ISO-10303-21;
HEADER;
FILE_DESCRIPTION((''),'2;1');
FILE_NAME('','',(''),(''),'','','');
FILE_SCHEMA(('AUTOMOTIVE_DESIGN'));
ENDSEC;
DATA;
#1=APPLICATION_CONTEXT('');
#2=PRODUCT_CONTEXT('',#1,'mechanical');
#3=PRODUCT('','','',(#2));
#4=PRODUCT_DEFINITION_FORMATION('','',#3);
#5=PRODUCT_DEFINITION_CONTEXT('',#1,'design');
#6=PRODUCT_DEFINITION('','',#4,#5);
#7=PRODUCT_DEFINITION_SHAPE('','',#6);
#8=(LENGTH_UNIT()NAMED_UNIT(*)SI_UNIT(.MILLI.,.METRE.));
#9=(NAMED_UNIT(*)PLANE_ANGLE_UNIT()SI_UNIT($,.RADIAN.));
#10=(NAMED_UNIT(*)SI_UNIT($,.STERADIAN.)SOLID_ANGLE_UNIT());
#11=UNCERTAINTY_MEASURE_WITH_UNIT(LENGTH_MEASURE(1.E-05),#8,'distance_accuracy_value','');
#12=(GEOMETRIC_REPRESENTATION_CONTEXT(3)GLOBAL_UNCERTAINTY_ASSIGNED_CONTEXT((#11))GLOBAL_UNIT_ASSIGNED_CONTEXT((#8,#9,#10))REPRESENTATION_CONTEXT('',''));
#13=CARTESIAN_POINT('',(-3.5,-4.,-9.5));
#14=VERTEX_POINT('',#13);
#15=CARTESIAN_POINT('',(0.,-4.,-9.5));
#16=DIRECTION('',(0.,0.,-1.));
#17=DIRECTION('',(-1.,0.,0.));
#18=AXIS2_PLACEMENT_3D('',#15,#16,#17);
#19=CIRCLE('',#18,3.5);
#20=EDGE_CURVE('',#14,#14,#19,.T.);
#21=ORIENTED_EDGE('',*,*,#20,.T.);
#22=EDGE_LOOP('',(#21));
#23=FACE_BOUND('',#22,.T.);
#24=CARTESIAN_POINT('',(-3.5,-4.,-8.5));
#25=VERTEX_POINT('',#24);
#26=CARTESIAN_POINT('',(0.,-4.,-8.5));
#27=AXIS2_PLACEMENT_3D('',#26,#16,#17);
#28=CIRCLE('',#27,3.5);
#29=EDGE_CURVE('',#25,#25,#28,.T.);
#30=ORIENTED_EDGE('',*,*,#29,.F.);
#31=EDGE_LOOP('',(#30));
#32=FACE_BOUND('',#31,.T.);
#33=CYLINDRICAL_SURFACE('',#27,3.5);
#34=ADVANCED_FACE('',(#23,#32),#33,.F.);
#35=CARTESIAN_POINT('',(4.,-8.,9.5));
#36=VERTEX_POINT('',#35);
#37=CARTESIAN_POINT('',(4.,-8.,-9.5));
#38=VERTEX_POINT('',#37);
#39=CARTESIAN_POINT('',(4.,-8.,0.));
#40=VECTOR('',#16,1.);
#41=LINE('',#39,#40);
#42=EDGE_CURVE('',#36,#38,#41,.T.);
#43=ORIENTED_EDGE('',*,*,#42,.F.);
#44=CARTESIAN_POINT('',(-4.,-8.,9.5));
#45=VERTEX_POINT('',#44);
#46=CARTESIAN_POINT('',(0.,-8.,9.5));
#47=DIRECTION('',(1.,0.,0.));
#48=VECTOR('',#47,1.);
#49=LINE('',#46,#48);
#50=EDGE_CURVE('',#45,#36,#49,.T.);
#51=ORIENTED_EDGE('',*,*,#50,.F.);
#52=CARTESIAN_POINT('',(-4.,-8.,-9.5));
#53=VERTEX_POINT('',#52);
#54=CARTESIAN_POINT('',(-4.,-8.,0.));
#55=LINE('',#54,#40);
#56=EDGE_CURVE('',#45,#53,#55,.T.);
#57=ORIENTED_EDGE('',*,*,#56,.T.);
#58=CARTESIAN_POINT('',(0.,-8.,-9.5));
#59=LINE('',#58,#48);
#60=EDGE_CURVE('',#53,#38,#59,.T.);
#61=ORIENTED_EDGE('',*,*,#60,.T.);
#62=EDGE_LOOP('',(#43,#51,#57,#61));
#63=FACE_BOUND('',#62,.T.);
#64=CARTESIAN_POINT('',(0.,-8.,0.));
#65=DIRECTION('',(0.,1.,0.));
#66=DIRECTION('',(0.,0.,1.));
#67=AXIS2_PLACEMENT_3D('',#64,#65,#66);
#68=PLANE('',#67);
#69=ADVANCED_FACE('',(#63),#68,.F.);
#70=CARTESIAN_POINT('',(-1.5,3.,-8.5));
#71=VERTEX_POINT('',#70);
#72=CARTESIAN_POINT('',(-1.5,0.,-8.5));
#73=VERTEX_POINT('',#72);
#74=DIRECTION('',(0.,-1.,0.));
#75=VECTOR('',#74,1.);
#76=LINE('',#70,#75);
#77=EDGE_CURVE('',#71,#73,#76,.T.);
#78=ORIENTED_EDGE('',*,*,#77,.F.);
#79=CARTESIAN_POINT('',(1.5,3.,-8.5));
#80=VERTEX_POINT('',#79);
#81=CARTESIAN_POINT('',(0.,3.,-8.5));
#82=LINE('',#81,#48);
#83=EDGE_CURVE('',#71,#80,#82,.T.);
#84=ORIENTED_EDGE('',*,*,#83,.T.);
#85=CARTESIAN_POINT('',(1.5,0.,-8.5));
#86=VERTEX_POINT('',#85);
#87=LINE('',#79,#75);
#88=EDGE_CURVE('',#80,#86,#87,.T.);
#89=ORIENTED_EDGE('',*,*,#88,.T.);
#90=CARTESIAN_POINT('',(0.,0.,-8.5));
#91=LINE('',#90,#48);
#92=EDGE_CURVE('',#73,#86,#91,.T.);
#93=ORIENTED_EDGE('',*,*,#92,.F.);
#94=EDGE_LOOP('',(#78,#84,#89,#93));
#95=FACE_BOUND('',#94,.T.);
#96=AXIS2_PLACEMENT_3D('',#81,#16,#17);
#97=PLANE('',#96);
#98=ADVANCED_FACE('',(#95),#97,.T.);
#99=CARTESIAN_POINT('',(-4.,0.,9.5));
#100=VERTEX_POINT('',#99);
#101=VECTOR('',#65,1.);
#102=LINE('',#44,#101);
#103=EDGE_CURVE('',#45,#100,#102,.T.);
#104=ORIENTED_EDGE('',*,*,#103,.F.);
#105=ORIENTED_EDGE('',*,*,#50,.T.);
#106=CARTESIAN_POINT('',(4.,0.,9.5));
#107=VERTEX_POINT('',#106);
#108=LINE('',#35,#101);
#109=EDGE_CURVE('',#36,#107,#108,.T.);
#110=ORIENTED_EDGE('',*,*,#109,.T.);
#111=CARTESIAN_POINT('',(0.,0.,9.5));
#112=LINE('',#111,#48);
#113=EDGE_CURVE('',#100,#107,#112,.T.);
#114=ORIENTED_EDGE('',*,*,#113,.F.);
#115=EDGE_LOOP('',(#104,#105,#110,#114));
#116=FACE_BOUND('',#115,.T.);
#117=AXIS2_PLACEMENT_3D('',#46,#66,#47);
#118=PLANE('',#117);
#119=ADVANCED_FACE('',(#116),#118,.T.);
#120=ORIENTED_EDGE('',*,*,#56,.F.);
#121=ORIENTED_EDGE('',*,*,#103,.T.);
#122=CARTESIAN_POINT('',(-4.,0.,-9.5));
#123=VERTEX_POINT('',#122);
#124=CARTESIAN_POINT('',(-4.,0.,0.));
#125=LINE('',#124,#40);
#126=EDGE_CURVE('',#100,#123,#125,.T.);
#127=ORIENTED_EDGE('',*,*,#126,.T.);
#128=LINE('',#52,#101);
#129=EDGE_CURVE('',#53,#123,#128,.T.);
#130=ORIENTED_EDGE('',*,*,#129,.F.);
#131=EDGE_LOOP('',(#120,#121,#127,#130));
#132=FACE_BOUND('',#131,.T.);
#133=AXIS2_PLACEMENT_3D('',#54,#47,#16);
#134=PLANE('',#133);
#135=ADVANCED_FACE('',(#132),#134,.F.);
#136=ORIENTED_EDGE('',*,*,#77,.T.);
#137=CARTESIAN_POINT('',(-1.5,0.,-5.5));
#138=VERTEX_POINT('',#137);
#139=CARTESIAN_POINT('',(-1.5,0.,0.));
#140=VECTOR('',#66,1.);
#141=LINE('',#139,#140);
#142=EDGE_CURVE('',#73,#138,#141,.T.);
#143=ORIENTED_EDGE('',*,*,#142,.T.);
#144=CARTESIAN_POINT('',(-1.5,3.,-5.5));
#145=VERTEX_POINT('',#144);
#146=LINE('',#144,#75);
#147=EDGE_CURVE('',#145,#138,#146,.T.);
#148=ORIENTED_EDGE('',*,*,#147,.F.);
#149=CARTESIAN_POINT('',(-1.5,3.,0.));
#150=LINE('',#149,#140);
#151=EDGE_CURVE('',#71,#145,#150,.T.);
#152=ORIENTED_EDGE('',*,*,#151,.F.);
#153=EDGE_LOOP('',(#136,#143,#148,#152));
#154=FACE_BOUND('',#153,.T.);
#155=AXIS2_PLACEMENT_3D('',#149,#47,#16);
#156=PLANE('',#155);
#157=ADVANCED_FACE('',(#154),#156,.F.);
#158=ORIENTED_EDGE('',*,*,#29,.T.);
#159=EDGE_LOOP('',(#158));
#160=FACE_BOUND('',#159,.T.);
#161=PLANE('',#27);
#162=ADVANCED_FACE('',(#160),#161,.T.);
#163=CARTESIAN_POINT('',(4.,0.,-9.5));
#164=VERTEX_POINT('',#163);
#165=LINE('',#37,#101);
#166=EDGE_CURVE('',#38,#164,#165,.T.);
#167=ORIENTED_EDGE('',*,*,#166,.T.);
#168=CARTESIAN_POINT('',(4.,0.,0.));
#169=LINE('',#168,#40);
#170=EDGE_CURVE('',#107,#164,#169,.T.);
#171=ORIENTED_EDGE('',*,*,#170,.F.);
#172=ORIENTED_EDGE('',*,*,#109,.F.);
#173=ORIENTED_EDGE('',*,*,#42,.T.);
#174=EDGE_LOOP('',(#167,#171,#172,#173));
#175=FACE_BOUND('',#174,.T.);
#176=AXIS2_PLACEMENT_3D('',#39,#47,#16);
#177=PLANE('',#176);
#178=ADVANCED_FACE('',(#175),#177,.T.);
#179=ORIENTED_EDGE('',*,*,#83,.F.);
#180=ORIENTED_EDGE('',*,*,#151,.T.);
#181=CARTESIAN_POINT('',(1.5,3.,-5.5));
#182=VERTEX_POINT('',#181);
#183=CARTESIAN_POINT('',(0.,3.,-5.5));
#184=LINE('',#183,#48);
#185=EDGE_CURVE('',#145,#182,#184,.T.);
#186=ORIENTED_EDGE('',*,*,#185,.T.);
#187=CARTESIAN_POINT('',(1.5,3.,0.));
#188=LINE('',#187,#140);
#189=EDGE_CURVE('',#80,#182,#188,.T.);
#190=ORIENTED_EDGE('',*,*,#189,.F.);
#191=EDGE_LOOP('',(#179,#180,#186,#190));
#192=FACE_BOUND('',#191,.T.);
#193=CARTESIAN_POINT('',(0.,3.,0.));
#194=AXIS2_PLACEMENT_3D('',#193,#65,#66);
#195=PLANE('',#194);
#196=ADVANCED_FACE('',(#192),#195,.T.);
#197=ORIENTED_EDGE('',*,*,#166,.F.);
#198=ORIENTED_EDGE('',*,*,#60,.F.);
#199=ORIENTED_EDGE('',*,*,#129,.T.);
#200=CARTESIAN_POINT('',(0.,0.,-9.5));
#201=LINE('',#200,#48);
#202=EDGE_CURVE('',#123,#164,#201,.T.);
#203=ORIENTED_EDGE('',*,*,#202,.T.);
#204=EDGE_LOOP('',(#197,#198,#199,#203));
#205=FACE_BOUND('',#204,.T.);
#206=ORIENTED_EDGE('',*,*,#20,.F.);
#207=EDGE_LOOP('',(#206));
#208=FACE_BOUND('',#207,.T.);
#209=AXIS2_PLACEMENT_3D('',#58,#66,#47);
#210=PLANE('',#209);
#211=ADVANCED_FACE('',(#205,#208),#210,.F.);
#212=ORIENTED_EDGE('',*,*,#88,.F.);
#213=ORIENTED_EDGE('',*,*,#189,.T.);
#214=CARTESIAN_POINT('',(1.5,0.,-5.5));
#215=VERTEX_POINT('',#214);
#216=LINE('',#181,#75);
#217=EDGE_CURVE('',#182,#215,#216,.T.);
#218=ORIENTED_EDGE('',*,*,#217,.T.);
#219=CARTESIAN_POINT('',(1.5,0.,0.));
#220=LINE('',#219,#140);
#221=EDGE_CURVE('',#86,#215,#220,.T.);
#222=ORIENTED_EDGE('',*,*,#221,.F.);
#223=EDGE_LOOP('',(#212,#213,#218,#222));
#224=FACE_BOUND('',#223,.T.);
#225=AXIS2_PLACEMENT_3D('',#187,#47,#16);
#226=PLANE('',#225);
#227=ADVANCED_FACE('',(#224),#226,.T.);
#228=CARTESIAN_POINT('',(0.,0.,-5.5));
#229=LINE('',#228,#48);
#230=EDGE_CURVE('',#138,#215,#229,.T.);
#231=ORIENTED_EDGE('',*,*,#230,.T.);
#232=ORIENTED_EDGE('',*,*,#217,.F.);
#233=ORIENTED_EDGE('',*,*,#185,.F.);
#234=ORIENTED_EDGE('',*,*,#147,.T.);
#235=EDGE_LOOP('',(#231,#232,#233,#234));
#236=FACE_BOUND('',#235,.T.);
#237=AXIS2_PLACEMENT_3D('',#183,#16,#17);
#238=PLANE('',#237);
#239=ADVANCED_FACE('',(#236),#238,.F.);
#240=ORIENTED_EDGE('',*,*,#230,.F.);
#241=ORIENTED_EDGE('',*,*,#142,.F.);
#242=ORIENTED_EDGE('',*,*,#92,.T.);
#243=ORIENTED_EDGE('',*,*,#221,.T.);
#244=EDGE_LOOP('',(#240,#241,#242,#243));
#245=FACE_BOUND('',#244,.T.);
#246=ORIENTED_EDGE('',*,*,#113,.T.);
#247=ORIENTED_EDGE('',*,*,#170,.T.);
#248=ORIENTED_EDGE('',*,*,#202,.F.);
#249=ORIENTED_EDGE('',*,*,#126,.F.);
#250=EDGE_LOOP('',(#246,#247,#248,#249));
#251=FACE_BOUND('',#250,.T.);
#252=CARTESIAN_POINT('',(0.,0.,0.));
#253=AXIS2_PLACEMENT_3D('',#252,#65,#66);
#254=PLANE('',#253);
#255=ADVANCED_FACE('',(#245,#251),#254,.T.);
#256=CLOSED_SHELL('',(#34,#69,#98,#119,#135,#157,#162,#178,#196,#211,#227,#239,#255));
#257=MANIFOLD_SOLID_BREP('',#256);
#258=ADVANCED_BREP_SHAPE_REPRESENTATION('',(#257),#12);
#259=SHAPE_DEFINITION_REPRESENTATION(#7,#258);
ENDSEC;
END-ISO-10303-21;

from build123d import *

# Parameters (mm, degrees)
SKETCH2_W           = 8
SKETCH2_H           = 19
BOSS_EXTRUDE1_DEPTH = 8
SKETCH2_3_W         = 3
SKETCH2_3_H         = 3
BOSS_EXTRUDE2_DEPTH = 3
SKETCH3_R           = 3.5
CUT_EXTRUDE1_DEPTH  = 1


with BuildPart() as part:
    # Sketch2 → Boss-Extrude1 (new body)
    with BuildSketch(Plane(origin=(0, 0, 0), x_dir=(1, 0, 0), z_dir=(0, 1, 0))):
        Rectangle(SKETCH2_W, SKETCH2_H)
    extrude(amount=-BOSS_EXTRUDE1_DEPTH)

    # Sketch2<3> → Boss-Extrude2 (add)
    with BuildSketch(Plane(origin=(0, 0, 0), x_dir=(1, 0, 0), z_dir=(0, 1, 0))):
        with Locations((0, 7)):
            Rectangle(SKETCH2_3_W, SKETCH2_3_H)
    extrude(amount=BOSS_EXTRUDE2_DEPTH)

    # Sketch3 → Cut-Extrude1 (cut)
    with BuildSketch(Plane(origin=(0, 0, -9.5), x_dir=(-1, 0, 0), z_dir=(0, 0, -1))):
        with Locations((0, -4)):
            Circle(SKETCH3_R)
    extrude(amount=-CUT_EXTRUDE1_DEPTH, mode=Mode.SUBTRACT)


solid = part.part
